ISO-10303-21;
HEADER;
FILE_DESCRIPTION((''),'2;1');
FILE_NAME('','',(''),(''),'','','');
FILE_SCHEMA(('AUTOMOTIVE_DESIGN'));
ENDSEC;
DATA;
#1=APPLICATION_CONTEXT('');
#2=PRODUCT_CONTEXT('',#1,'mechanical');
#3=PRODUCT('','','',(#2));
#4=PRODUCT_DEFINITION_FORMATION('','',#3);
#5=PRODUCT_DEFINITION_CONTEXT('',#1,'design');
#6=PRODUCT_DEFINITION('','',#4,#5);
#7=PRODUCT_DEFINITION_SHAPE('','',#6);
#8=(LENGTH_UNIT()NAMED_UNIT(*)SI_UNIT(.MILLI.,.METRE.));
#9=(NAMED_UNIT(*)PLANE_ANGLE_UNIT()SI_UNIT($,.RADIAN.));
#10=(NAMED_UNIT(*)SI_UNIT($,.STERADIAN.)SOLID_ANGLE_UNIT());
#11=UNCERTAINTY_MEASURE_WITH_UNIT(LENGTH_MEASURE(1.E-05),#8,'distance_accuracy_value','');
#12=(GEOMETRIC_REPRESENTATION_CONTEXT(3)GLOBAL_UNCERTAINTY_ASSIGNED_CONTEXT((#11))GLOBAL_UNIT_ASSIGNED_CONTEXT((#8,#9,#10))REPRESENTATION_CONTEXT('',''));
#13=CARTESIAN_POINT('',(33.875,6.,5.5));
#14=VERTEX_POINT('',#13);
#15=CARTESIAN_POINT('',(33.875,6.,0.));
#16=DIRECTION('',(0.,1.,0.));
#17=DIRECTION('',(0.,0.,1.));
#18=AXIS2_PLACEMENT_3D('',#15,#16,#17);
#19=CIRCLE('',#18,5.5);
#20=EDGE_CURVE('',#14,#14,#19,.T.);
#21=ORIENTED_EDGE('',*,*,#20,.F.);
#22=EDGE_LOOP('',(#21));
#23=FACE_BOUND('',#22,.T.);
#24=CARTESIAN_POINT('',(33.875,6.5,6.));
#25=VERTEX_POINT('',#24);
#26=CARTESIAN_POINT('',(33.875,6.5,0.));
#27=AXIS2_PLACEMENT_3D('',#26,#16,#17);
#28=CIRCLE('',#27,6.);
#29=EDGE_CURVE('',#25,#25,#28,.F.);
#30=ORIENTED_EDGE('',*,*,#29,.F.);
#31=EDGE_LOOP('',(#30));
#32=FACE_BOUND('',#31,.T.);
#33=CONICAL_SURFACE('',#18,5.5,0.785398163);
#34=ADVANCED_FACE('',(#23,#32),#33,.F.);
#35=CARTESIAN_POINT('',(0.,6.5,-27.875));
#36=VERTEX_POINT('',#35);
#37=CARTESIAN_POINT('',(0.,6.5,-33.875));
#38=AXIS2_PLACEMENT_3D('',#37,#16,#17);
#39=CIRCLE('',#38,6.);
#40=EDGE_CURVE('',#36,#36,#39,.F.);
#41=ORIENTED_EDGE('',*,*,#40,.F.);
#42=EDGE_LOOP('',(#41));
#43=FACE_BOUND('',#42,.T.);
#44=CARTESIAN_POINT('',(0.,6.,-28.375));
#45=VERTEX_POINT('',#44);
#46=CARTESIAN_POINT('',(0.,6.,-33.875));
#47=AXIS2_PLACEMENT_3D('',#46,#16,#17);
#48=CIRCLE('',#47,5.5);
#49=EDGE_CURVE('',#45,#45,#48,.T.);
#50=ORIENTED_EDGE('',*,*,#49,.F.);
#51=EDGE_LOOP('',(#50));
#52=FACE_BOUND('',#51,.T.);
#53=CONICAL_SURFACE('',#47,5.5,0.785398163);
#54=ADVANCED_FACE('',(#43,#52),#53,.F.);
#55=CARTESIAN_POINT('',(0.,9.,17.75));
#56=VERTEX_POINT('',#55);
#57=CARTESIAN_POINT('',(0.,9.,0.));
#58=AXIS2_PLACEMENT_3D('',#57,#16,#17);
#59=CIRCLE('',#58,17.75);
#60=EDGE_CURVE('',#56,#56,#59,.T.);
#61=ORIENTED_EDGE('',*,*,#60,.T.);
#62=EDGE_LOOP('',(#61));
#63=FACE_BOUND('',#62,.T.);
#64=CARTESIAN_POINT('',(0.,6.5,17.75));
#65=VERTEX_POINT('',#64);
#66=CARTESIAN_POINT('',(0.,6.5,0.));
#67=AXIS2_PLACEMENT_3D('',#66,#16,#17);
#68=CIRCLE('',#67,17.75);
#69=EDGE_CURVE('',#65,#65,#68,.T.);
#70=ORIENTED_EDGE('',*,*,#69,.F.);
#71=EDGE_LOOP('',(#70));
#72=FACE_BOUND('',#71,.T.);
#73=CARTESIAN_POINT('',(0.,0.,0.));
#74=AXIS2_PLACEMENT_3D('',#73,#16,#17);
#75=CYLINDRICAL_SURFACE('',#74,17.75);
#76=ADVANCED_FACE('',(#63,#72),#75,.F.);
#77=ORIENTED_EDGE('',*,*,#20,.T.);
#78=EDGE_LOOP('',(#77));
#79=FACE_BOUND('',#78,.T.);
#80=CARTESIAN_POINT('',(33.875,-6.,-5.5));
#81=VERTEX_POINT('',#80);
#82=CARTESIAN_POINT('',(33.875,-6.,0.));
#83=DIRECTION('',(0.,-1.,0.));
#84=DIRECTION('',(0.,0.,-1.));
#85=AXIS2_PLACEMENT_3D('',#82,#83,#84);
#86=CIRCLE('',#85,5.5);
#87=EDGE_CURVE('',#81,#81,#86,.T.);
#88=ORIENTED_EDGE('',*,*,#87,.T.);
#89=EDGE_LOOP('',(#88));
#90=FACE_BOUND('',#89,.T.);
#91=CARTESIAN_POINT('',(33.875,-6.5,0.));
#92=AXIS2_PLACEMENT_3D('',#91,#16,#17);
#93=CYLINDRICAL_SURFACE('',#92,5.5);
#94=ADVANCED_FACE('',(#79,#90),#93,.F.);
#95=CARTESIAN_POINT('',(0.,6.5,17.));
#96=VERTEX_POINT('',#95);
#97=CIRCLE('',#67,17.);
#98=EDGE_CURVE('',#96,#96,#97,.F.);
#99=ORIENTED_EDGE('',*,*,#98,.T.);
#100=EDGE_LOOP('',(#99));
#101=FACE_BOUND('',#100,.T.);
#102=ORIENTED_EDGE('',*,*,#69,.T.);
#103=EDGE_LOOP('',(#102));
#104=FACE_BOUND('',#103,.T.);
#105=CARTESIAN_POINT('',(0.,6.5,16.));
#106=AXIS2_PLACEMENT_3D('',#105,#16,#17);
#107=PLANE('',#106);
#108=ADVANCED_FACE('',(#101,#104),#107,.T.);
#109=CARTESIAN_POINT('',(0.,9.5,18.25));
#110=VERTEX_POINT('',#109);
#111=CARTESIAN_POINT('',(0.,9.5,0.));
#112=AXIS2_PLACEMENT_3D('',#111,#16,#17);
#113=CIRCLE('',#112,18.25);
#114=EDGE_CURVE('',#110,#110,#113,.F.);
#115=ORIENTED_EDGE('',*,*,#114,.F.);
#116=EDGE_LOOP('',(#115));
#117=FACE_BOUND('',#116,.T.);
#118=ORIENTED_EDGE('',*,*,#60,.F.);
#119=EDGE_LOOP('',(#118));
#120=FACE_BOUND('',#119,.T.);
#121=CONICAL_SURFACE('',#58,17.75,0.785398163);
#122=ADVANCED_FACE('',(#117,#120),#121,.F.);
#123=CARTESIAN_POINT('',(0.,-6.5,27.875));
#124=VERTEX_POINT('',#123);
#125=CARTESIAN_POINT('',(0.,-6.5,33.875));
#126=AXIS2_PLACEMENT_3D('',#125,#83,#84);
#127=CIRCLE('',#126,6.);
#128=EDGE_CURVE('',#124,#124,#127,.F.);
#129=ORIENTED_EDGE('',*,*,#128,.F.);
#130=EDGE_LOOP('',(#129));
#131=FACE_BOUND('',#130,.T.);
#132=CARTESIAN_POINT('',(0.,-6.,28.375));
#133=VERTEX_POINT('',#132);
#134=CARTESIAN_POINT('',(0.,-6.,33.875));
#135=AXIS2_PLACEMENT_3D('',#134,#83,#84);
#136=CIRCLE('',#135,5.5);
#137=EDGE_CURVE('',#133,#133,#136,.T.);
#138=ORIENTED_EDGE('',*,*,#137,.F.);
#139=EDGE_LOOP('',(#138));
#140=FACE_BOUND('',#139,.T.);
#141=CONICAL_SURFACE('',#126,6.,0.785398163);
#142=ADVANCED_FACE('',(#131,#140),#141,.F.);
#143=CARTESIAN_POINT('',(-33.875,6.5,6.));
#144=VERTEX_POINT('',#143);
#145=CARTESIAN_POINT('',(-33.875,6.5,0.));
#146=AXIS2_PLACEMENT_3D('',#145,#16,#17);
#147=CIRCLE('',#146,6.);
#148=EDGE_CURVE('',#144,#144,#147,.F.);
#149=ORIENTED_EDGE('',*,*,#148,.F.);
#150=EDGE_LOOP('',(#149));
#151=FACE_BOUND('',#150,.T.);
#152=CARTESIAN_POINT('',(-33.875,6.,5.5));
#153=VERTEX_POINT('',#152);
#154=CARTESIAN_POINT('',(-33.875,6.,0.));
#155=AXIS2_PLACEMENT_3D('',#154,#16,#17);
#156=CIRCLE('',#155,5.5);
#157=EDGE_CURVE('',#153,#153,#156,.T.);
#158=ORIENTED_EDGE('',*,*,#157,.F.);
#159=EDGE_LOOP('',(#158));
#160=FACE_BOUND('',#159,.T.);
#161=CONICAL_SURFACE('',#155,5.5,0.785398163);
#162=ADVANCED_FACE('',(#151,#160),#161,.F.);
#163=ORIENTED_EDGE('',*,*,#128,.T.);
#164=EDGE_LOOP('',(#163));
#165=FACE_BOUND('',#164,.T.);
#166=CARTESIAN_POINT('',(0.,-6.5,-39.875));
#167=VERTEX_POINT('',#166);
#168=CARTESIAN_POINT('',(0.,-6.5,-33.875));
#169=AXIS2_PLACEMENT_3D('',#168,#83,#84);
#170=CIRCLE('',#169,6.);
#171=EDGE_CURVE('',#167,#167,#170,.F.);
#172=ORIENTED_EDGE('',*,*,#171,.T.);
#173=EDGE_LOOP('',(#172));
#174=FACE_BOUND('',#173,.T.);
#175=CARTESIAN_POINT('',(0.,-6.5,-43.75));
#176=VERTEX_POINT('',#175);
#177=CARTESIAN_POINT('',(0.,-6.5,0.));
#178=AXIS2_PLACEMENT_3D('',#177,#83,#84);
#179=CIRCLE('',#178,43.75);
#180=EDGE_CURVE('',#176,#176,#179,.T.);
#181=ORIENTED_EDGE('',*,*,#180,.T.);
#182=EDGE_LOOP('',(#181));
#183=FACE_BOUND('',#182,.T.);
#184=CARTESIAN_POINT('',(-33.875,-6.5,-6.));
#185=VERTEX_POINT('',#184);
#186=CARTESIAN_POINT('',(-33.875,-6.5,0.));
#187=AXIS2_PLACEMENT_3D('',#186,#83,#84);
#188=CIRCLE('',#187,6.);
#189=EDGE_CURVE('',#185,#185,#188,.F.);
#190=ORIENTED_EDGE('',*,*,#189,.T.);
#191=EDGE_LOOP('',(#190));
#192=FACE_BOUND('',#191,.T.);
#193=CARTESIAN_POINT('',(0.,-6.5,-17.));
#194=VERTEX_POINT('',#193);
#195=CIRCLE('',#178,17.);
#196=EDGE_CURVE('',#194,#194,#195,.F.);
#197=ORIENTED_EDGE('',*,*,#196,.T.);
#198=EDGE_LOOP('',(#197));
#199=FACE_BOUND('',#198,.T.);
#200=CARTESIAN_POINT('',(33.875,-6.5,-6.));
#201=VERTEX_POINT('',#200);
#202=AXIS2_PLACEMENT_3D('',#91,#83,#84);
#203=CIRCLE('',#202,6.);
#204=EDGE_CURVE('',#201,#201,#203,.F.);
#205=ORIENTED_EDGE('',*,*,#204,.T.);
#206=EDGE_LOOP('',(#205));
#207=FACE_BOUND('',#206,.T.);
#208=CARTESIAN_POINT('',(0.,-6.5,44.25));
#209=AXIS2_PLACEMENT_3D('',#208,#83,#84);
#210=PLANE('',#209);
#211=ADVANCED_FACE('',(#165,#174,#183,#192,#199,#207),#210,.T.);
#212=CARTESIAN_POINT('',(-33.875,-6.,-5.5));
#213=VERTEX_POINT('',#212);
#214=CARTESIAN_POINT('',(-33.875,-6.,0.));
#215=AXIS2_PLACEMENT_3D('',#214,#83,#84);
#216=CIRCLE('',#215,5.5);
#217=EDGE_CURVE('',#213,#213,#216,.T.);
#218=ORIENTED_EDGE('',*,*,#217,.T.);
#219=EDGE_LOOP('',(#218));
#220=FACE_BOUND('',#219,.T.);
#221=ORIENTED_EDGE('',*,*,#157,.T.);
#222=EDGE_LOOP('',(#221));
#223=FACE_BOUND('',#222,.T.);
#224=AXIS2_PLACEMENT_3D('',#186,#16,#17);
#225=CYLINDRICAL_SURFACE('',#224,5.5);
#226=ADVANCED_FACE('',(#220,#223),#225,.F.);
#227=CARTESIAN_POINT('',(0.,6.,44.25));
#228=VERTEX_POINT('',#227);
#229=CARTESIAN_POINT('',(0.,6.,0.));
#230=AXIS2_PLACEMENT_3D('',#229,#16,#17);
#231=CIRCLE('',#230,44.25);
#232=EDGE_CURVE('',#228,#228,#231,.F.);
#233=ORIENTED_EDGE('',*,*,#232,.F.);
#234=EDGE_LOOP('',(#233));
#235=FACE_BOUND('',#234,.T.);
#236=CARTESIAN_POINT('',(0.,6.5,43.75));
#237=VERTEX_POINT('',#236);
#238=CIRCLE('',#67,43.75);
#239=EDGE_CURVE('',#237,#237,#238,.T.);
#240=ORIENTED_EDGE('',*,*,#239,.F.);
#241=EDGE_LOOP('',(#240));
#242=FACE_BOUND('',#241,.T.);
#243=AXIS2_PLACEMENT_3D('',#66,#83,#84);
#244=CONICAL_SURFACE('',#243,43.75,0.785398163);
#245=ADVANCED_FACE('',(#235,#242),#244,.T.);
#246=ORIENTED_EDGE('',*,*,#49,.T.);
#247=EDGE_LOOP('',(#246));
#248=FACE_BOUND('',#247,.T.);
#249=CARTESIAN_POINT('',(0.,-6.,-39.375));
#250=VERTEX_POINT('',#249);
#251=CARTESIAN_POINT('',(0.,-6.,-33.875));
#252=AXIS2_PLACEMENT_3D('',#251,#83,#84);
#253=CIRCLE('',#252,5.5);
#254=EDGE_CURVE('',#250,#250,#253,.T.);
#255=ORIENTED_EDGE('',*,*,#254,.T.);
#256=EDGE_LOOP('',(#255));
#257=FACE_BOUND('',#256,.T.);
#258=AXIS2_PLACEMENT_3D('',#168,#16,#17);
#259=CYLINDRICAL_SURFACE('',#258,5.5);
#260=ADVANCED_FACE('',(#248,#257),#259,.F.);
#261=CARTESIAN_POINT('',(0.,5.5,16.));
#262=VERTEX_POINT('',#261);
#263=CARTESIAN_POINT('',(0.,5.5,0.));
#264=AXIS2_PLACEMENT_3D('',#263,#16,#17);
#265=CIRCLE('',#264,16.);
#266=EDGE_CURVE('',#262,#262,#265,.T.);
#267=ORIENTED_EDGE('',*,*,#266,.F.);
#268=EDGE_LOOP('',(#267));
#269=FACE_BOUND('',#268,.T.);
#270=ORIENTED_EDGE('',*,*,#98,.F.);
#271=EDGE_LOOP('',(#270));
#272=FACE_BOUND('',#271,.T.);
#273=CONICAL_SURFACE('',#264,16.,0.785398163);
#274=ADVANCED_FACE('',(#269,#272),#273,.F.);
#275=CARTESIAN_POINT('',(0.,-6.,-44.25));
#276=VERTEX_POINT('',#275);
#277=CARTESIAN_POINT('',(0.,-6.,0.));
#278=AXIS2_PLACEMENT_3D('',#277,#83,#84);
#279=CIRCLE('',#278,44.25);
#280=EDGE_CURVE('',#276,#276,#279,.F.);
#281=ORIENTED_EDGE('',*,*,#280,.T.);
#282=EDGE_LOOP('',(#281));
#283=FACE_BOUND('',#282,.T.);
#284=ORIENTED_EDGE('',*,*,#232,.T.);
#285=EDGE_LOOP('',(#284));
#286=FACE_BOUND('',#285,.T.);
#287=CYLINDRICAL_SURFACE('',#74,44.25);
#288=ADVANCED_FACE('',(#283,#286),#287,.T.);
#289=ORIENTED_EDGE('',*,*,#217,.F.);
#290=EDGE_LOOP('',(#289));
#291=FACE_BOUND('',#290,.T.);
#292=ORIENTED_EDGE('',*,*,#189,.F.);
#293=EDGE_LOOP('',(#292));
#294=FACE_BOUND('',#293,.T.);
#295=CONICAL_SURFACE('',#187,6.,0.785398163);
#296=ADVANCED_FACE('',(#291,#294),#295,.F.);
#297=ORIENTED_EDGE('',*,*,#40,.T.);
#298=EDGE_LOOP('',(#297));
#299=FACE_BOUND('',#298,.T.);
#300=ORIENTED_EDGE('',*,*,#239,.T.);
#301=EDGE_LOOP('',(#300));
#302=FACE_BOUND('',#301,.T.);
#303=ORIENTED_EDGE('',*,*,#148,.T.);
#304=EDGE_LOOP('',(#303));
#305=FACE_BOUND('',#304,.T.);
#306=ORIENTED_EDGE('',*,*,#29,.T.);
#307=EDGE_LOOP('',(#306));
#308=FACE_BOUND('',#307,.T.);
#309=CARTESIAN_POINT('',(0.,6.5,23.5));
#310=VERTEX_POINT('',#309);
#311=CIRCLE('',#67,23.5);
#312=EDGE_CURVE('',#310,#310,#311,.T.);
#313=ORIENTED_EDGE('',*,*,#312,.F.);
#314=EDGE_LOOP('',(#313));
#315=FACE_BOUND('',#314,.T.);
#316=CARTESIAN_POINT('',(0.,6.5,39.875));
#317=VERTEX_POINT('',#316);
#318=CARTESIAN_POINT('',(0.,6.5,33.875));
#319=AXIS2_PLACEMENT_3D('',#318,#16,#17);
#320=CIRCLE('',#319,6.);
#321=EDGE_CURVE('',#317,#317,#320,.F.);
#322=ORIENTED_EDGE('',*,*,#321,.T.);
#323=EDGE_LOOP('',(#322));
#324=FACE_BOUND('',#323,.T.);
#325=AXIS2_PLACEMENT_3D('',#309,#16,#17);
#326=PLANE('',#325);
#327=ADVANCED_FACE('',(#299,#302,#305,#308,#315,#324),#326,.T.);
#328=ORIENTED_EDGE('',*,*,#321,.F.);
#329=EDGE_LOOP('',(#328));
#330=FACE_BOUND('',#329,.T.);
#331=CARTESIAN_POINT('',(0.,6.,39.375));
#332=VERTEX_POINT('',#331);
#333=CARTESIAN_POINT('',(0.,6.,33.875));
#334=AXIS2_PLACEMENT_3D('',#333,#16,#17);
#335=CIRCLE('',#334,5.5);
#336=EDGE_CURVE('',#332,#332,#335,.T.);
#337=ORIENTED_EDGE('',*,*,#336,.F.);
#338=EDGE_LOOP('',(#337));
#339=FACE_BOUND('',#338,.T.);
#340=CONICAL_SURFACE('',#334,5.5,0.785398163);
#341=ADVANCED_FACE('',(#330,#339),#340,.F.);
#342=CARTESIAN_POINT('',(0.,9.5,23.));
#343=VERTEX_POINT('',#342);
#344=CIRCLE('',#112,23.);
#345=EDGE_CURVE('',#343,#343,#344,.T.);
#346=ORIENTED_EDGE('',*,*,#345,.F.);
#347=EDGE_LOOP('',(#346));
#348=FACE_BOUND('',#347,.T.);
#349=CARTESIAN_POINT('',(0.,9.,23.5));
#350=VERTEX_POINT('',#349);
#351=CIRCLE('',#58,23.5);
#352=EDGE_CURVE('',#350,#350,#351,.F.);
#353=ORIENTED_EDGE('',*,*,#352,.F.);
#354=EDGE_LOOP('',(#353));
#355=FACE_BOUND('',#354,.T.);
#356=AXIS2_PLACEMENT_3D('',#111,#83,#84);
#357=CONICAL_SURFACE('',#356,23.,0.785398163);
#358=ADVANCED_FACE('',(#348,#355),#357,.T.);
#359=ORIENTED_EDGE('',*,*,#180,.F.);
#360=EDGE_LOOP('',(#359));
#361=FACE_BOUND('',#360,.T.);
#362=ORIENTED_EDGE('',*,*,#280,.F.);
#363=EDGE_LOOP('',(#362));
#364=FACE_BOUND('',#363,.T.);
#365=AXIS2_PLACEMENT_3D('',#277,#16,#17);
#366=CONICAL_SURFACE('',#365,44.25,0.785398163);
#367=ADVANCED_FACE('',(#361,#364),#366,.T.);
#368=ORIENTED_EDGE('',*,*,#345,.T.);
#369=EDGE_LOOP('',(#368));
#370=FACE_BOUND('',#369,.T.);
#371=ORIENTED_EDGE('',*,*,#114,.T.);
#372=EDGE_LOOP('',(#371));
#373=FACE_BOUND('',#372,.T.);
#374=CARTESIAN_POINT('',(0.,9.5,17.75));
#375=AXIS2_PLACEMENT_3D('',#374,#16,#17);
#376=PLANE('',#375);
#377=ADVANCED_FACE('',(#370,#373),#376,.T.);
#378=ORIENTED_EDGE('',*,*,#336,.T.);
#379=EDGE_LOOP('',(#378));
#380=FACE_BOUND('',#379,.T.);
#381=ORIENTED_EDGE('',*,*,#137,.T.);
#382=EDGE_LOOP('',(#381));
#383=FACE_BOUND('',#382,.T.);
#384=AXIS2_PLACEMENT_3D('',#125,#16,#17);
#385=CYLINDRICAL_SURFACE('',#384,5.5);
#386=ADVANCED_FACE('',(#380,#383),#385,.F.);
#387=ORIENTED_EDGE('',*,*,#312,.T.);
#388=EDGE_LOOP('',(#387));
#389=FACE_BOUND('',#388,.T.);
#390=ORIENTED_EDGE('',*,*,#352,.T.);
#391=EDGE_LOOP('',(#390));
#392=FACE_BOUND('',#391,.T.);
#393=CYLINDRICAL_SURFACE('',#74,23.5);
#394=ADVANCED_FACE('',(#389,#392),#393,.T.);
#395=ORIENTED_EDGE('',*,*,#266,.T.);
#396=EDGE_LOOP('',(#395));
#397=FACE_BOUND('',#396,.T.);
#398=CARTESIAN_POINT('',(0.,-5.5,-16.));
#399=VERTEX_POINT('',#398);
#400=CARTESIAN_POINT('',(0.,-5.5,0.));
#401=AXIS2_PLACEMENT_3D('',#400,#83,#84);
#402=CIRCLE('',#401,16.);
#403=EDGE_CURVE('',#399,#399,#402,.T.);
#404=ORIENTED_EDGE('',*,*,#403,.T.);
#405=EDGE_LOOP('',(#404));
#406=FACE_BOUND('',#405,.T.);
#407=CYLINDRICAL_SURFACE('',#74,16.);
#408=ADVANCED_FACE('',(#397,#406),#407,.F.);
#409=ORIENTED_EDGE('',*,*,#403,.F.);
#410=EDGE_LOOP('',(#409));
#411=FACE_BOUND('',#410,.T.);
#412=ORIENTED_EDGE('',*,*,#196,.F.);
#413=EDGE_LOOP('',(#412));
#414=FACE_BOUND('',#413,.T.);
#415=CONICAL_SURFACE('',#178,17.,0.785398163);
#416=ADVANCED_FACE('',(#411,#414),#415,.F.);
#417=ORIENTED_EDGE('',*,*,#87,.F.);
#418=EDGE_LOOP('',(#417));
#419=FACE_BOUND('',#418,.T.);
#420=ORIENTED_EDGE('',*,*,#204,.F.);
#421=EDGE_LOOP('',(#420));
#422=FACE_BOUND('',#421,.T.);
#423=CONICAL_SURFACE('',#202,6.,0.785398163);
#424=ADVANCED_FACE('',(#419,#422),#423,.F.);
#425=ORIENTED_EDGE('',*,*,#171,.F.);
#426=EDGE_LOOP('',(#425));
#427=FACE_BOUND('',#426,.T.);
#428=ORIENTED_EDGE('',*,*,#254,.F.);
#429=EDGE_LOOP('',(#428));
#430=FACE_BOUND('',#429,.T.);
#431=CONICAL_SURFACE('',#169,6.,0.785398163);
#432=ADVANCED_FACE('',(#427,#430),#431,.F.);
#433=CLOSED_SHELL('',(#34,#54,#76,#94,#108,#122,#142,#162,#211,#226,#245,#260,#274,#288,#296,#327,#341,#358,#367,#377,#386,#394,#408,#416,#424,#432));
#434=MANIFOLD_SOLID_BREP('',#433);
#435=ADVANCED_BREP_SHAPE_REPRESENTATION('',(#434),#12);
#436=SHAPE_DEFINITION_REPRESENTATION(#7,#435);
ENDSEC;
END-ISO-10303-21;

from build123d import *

# Parameters (mm, degrees)
CORTAR_EXTRUIR1_DEPTH      = 64.295931939
CORTAR_EXTRUIR1_DEPTH_BACK = 64.295931939
CROQUIS2_R                 = 5.5
CHAFL_N1_SIZE              = 1
CHAFL_N2_SIZE              = 0.5


with BuildPart() as part:
    # Croquis1 → Revolución1 (revolve)
    with BuildSketch(Plane(origin=(0, 0, 0), x_dir=(0, 0, -1), z_dir=(1, 0, 0))):
        Polygon((-16, -6.5), (-16, 6.5), (-17.75, 6.5), (-17.75, 9.5), (-23.5, 9.5), (-23.5, 6.5), (-44.25, 6.5), (-44.25, -6.5), align=None)
    revolve(axis=Axis((0, 0, 0), (0, -1, 0)))

    # Croquis2 → Cortar-Extruir1 (cut, two sides: drawn at the far end of the back side and taken through both)
    with BuildSketch(Plane(origin=(0, 0, 0), x_dir=(1, 0, 0), z_dir=(0, 1, 0)).offset(-CORTAR_EXTRUIR1_DEPTH_BACK)):
        with Locations(Location((0, 33.875, 0), (0, 0, 270))):
            Circle(CROQUIS2_R)
        with Locations(Location((33.875, 0, 0), (0, 0, 270))):
            Circle(CROQUIS2_R)
        with Locations(Location((0, -33.875, 0), (0, 0, 270))):
            Circle(CROQUIS2_R)
        with Locations(Location((-33.875, 0, 0), (0, 0, 270))):
            Circle(CROQUIS2_R)
    extrude(amount=CORTAR_EXTRUIR1_DEPTH + CORTAR_EXTRUIR1_DEPTH_BACK, mode=Mode.SUBTRACT)

    # Chaflán1
    chafl_n1_edges = [part.edges().sort_by_distance(p)[0] for p in [
        (0, 6.5, -16),
        (0, -6.5, -16),
    ]]
    chamfer(chafl_n1_edges, length=CHAFL_N1_SIZE)

    # Chaflán2
    chafl_n2_edges = [part.edges().sort_by_distance(p)[0] for p in [
        (0, 6.5, -39.375),
        (0, -6.5, -39.375),
        (33.875, 6.5, -5.5),
        (33.875, -6.5, -5.5),
        (0, 6.5, 28.375),
        (0, -6.5, 28.375),
        (-33.875, 6.5, -5.5),
        (-33.875, -6.5, -5.5),
        (0, -6.5, -44.25),
        (0, 6.5, -44.25),
        (0, 9.5, -23.5),
        (0, 9.5, -17.75),
    ]]
    chamfer(chafl_n2_edges, length=CHAFL_N2_SIZE)


solid = part.part
